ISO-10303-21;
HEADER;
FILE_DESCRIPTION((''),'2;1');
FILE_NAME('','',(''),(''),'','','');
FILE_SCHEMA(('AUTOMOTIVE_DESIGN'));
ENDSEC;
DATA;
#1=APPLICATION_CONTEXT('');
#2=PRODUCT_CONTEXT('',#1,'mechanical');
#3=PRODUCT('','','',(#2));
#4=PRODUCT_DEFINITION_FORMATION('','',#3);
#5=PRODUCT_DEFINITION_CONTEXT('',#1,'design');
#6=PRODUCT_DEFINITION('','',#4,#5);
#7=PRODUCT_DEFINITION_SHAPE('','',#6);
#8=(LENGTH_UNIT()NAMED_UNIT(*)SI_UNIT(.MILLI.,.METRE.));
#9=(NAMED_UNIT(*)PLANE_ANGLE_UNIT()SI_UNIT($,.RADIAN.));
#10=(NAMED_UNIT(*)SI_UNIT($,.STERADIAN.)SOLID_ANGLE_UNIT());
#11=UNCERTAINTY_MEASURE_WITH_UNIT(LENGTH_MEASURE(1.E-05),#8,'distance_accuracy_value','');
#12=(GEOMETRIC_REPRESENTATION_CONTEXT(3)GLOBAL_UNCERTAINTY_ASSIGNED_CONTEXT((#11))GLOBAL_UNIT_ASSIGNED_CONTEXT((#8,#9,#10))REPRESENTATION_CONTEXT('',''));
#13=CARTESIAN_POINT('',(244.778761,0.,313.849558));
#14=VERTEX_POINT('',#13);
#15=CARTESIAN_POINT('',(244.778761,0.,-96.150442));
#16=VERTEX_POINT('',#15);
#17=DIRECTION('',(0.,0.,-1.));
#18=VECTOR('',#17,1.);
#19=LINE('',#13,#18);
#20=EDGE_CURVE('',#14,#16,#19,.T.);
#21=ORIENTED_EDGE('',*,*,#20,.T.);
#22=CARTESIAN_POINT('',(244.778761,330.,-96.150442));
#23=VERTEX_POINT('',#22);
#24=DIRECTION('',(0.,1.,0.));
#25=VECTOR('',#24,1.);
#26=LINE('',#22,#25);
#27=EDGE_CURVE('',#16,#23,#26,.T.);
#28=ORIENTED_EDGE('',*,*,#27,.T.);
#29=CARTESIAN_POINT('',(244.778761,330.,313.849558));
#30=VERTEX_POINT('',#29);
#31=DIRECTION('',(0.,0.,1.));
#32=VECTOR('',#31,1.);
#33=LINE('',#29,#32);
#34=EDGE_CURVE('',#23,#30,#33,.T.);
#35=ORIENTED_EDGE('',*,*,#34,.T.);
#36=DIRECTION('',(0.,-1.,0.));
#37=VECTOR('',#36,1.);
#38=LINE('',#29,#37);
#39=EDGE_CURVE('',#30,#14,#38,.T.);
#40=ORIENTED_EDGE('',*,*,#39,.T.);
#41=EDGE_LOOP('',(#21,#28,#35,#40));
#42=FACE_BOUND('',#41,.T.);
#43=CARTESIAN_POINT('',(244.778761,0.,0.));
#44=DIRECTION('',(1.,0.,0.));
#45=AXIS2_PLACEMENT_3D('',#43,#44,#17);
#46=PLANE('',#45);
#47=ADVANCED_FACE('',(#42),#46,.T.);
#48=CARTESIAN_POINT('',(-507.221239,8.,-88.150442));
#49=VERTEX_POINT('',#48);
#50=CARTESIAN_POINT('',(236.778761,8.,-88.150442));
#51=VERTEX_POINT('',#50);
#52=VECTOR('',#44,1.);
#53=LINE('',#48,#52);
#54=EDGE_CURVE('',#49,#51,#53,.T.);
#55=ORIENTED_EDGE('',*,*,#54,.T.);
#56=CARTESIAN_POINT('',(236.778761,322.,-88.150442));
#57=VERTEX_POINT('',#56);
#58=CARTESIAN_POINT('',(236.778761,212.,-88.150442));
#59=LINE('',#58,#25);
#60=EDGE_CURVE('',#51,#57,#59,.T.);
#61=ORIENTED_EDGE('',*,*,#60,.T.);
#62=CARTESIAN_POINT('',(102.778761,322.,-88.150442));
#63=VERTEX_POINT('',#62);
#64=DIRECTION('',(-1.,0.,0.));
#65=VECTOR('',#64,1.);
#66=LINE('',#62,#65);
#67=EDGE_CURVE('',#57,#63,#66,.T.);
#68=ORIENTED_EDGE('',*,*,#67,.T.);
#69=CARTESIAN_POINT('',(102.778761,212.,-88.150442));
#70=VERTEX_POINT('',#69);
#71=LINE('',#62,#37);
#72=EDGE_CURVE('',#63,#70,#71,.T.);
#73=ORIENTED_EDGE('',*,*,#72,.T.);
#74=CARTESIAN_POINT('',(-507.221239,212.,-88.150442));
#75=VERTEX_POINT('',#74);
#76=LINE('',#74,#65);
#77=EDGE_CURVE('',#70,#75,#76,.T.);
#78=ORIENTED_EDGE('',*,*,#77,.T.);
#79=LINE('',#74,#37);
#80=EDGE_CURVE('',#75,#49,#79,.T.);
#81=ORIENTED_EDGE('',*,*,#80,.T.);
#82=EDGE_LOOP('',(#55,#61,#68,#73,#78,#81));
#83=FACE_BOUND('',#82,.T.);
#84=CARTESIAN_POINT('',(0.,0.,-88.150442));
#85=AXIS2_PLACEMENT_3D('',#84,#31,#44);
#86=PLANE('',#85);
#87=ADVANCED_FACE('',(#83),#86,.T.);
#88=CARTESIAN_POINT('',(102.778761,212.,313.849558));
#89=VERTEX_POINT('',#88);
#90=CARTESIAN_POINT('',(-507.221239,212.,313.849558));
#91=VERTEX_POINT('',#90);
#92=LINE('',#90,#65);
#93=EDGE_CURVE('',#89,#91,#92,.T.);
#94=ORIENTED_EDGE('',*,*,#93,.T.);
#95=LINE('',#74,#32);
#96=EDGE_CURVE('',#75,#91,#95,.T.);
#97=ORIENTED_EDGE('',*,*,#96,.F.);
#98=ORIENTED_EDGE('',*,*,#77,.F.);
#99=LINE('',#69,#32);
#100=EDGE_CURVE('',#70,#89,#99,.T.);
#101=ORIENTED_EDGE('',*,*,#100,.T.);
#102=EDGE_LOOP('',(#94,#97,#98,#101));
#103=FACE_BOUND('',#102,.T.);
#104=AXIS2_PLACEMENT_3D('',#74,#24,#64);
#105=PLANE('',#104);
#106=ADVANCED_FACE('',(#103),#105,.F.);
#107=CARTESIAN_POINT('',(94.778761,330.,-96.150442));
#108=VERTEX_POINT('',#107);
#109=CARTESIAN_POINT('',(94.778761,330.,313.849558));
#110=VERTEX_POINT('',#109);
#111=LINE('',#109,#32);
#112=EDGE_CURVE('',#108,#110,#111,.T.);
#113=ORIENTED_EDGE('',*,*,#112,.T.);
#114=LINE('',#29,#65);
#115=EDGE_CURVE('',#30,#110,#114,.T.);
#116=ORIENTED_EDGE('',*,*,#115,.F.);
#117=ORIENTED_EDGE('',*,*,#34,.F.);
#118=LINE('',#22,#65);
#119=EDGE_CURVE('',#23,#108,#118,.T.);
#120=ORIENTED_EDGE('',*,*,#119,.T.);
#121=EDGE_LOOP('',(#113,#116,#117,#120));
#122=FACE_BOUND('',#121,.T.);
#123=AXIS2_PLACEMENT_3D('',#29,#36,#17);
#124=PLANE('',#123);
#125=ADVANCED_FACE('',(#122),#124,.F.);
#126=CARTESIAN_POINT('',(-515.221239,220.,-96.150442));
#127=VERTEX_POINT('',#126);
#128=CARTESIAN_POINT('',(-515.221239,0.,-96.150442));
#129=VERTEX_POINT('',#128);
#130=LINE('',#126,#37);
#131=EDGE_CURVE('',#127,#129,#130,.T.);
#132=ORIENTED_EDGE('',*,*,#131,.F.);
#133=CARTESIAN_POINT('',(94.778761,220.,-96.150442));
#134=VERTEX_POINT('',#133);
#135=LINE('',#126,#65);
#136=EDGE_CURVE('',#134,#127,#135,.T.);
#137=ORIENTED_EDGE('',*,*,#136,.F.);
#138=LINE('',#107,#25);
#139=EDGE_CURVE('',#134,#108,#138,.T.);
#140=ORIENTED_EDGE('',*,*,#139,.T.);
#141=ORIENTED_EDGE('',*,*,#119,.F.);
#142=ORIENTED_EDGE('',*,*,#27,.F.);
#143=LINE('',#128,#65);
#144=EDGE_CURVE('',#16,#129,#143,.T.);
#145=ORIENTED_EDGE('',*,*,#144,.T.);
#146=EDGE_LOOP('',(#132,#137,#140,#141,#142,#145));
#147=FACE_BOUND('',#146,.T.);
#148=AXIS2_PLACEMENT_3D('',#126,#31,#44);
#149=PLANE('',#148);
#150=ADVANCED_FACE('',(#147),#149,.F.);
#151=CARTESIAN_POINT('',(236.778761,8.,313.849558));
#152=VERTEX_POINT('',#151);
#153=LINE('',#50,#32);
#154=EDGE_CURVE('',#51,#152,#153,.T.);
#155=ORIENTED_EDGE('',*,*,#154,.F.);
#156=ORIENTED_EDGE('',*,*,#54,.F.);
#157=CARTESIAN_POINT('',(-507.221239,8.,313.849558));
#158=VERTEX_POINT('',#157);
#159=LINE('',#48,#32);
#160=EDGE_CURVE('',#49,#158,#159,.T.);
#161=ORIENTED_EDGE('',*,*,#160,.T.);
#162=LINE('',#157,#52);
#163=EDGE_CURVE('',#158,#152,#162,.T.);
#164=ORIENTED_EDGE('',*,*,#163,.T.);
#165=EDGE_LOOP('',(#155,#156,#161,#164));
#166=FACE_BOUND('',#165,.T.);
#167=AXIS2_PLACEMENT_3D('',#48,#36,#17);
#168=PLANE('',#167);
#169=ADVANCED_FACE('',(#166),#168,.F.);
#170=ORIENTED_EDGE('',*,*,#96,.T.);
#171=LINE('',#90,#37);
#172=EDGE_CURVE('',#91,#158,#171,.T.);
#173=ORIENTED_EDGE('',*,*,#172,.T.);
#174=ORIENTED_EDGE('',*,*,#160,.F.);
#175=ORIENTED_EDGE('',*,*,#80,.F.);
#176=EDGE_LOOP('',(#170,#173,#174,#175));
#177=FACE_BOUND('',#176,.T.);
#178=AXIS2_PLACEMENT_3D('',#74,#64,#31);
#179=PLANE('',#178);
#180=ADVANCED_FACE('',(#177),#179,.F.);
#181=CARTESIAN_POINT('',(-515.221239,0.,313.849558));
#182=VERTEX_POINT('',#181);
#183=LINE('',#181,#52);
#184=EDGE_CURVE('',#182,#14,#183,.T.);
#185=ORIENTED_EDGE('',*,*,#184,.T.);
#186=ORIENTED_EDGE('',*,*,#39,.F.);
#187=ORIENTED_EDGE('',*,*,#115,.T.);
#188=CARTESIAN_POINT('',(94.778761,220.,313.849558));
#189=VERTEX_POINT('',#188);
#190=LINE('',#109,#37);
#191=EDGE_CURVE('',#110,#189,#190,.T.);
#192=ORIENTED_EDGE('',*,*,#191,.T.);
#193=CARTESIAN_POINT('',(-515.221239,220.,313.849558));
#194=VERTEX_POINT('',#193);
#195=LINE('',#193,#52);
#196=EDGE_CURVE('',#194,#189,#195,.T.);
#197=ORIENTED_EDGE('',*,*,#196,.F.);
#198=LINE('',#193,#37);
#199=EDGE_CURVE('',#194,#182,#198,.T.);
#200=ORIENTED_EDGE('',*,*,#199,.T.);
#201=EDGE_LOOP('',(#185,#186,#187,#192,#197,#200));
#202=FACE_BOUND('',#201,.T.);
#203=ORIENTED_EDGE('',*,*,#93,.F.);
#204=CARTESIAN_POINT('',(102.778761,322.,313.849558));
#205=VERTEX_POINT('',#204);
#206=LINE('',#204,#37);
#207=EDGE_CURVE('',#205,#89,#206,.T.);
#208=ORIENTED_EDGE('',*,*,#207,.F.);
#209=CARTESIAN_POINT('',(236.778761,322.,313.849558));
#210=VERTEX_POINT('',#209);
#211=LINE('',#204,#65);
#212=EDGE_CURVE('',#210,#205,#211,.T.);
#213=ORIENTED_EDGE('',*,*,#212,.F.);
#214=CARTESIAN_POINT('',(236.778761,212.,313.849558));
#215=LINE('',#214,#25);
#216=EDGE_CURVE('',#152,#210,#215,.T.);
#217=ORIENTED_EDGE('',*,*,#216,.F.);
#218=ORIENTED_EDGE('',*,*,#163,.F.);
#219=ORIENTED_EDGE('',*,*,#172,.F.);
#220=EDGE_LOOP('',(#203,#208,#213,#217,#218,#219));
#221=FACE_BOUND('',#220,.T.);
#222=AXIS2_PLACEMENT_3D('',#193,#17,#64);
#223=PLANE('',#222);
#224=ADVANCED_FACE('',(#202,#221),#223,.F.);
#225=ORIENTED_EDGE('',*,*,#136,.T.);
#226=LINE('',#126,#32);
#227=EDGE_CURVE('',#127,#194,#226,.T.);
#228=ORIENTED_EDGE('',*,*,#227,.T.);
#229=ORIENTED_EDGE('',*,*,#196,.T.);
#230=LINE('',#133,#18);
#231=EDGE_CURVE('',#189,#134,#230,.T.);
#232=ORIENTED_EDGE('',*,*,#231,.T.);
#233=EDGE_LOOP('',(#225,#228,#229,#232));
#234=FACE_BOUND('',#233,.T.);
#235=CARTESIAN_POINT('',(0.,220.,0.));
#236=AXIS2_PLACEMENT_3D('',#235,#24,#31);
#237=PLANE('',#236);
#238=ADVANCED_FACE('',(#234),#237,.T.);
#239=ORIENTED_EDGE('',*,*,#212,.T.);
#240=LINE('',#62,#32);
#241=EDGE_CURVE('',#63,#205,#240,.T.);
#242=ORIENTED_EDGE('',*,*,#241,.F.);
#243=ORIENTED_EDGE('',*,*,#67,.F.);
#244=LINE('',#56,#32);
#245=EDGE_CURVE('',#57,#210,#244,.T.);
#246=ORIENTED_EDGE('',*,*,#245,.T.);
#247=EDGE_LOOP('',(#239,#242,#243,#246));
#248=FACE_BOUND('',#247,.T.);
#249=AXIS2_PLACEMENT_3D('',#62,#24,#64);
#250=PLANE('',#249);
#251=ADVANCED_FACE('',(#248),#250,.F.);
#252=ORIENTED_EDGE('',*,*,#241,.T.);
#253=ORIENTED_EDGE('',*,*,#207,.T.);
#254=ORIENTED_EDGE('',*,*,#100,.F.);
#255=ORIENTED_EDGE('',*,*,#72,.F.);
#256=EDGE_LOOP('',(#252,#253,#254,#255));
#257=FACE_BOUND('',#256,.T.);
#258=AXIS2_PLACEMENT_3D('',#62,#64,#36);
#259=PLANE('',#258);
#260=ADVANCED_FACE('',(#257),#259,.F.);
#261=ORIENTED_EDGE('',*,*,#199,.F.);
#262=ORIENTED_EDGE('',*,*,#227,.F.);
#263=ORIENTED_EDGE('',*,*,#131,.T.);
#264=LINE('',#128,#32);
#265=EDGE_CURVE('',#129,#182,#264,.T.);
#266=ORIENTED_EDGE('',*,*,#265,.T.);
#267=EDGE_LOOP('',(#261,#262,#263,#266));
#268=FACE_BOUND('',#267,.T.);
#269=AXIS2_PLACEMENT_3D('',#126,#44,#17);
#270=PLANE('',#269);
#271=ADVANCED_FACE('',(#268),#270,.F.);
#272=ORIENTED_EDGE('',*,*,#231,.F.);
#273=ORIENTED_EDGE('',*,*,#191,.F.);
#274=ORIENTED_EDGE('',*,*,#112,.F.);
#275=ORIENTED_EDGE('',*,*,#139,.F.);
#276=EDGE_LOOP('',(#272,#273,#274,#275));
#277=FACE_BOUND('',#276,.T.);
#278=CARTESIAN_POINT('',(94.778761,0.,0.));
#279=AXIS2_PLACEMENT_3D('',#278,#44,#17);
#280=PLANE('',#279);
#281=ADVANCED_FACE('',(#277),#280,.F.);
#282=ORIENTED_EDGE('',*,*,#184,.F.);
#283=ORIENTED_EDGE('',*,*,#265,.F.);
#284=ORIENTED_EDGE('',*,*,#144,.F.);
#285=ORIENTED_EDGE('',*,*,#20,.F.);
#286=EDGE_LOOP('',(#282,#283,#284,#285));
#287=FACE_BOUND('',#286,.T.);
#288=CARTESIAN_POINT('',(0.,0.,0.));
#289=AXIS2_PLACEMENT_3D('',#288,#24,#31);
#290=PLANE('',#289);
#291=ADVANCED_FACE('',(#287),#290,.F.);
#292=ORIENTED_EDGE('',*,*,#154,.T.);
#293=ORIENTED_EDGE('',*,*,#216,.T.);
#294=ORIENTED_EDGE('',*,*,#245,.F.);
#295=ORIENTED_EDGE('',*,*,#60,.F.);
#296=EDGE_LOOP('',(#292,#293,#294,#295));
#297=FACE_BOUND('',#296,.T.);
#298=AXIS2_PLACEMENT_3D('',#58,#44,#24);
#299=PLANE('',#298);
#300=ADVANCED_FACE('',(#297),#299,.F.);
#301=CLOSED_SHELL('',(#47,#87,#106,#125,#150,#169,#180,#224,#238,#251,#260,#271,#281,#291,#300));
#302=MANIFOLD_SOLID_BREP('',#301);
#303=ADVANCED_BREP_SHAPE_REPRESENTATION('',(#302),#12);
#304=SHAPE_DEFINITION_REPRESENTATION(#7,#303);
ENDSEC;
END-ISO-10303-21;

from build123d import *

# Parameters (mm, degrees)
SKETCH1_W           = 610
SKETCH1_H           = 410
BOSS_EXTRUDE1_DEPTH = 220
SKETCH2_W           = 410
SKETCH2_H           = 330
BOSS_EXTRUDE2_DEPTH = 150
SKETCH3_W           = 602
SKETCH3_H           = 204
CUT_EXTRUDE1_DEPTH  = 402
SKETCH5_W           = 142
SKETCH5_H           = 204
CUT_EXTRUDE2_DEPTH  = 402
SKETCH6_W           = 134
SKETCH6_H           = 110
CUT_EXTRUDE3_DEPTH  = 402


with BuildPart() as part:
    # Sketch1 → Boss-Extrude1 (new body)
    with BuildSketch(Plane(origin=(0, 0, 0), x_dir=(1, 0, 0), z_dir=(0, 1, 0))):
        with Locations((-210.221238938, -108.849557522)):
            Rectangle(SKETCH1_W, SKETCH1_H)
    extrude(amount=BOSS_EXTRUDE1_DEPTH)

    # Sketch2 → Boss-Extrude2 (add)
    with BuildSketch(Plane(origin=(94.778761062, 0, 0), x_dir=(0, 0, -1), z_dir=(1, 0, 0))):
        with Locations((-108.849557522, 165)):
            Rectangle(SKETCH2_W, SKETCH2_H)
    extrude(amount=BOSS_EXTRUDE2_DEPTH)

    # Sketch3 → Cut-Extrude1 (cut)
    with BuildSketch(Plane.XY.offset(313.849557522)):
        with Locations((-206.221238938, 110)):
            Rectangle(SKETCH3_W, SKETCH3_H)
    extrude(amount=-CUT_EXTRUDE1_DEPTH, mode=Mode.SUBTRACT)

    # Sketch5 → Cut-Extrude2 (cut)
    with BuildSketch(Plane.XY.offset(313.849557522)):
        with Locations((165.778761062, 110)):
            Rectangle(SKETCH5_W, SKETCH5_H)
    extrude(amount=-CUT_EXTRUDE2_DEPTH, mode=Mode.SUBTRACT)

    # Sketch6 → Cut-Extrude3 (cut)
    with BuildSketch(Plane.XY.offset(313.849557522)):
        with Locations((169.778761062, 267)):
            Rectangle(SKETCH6_W, SKETCH6_H)
    extrude(amount=-CUT_EXTRUDE3_DEPTH, mode=Mode.SUBTRACT)


solid = part.part
